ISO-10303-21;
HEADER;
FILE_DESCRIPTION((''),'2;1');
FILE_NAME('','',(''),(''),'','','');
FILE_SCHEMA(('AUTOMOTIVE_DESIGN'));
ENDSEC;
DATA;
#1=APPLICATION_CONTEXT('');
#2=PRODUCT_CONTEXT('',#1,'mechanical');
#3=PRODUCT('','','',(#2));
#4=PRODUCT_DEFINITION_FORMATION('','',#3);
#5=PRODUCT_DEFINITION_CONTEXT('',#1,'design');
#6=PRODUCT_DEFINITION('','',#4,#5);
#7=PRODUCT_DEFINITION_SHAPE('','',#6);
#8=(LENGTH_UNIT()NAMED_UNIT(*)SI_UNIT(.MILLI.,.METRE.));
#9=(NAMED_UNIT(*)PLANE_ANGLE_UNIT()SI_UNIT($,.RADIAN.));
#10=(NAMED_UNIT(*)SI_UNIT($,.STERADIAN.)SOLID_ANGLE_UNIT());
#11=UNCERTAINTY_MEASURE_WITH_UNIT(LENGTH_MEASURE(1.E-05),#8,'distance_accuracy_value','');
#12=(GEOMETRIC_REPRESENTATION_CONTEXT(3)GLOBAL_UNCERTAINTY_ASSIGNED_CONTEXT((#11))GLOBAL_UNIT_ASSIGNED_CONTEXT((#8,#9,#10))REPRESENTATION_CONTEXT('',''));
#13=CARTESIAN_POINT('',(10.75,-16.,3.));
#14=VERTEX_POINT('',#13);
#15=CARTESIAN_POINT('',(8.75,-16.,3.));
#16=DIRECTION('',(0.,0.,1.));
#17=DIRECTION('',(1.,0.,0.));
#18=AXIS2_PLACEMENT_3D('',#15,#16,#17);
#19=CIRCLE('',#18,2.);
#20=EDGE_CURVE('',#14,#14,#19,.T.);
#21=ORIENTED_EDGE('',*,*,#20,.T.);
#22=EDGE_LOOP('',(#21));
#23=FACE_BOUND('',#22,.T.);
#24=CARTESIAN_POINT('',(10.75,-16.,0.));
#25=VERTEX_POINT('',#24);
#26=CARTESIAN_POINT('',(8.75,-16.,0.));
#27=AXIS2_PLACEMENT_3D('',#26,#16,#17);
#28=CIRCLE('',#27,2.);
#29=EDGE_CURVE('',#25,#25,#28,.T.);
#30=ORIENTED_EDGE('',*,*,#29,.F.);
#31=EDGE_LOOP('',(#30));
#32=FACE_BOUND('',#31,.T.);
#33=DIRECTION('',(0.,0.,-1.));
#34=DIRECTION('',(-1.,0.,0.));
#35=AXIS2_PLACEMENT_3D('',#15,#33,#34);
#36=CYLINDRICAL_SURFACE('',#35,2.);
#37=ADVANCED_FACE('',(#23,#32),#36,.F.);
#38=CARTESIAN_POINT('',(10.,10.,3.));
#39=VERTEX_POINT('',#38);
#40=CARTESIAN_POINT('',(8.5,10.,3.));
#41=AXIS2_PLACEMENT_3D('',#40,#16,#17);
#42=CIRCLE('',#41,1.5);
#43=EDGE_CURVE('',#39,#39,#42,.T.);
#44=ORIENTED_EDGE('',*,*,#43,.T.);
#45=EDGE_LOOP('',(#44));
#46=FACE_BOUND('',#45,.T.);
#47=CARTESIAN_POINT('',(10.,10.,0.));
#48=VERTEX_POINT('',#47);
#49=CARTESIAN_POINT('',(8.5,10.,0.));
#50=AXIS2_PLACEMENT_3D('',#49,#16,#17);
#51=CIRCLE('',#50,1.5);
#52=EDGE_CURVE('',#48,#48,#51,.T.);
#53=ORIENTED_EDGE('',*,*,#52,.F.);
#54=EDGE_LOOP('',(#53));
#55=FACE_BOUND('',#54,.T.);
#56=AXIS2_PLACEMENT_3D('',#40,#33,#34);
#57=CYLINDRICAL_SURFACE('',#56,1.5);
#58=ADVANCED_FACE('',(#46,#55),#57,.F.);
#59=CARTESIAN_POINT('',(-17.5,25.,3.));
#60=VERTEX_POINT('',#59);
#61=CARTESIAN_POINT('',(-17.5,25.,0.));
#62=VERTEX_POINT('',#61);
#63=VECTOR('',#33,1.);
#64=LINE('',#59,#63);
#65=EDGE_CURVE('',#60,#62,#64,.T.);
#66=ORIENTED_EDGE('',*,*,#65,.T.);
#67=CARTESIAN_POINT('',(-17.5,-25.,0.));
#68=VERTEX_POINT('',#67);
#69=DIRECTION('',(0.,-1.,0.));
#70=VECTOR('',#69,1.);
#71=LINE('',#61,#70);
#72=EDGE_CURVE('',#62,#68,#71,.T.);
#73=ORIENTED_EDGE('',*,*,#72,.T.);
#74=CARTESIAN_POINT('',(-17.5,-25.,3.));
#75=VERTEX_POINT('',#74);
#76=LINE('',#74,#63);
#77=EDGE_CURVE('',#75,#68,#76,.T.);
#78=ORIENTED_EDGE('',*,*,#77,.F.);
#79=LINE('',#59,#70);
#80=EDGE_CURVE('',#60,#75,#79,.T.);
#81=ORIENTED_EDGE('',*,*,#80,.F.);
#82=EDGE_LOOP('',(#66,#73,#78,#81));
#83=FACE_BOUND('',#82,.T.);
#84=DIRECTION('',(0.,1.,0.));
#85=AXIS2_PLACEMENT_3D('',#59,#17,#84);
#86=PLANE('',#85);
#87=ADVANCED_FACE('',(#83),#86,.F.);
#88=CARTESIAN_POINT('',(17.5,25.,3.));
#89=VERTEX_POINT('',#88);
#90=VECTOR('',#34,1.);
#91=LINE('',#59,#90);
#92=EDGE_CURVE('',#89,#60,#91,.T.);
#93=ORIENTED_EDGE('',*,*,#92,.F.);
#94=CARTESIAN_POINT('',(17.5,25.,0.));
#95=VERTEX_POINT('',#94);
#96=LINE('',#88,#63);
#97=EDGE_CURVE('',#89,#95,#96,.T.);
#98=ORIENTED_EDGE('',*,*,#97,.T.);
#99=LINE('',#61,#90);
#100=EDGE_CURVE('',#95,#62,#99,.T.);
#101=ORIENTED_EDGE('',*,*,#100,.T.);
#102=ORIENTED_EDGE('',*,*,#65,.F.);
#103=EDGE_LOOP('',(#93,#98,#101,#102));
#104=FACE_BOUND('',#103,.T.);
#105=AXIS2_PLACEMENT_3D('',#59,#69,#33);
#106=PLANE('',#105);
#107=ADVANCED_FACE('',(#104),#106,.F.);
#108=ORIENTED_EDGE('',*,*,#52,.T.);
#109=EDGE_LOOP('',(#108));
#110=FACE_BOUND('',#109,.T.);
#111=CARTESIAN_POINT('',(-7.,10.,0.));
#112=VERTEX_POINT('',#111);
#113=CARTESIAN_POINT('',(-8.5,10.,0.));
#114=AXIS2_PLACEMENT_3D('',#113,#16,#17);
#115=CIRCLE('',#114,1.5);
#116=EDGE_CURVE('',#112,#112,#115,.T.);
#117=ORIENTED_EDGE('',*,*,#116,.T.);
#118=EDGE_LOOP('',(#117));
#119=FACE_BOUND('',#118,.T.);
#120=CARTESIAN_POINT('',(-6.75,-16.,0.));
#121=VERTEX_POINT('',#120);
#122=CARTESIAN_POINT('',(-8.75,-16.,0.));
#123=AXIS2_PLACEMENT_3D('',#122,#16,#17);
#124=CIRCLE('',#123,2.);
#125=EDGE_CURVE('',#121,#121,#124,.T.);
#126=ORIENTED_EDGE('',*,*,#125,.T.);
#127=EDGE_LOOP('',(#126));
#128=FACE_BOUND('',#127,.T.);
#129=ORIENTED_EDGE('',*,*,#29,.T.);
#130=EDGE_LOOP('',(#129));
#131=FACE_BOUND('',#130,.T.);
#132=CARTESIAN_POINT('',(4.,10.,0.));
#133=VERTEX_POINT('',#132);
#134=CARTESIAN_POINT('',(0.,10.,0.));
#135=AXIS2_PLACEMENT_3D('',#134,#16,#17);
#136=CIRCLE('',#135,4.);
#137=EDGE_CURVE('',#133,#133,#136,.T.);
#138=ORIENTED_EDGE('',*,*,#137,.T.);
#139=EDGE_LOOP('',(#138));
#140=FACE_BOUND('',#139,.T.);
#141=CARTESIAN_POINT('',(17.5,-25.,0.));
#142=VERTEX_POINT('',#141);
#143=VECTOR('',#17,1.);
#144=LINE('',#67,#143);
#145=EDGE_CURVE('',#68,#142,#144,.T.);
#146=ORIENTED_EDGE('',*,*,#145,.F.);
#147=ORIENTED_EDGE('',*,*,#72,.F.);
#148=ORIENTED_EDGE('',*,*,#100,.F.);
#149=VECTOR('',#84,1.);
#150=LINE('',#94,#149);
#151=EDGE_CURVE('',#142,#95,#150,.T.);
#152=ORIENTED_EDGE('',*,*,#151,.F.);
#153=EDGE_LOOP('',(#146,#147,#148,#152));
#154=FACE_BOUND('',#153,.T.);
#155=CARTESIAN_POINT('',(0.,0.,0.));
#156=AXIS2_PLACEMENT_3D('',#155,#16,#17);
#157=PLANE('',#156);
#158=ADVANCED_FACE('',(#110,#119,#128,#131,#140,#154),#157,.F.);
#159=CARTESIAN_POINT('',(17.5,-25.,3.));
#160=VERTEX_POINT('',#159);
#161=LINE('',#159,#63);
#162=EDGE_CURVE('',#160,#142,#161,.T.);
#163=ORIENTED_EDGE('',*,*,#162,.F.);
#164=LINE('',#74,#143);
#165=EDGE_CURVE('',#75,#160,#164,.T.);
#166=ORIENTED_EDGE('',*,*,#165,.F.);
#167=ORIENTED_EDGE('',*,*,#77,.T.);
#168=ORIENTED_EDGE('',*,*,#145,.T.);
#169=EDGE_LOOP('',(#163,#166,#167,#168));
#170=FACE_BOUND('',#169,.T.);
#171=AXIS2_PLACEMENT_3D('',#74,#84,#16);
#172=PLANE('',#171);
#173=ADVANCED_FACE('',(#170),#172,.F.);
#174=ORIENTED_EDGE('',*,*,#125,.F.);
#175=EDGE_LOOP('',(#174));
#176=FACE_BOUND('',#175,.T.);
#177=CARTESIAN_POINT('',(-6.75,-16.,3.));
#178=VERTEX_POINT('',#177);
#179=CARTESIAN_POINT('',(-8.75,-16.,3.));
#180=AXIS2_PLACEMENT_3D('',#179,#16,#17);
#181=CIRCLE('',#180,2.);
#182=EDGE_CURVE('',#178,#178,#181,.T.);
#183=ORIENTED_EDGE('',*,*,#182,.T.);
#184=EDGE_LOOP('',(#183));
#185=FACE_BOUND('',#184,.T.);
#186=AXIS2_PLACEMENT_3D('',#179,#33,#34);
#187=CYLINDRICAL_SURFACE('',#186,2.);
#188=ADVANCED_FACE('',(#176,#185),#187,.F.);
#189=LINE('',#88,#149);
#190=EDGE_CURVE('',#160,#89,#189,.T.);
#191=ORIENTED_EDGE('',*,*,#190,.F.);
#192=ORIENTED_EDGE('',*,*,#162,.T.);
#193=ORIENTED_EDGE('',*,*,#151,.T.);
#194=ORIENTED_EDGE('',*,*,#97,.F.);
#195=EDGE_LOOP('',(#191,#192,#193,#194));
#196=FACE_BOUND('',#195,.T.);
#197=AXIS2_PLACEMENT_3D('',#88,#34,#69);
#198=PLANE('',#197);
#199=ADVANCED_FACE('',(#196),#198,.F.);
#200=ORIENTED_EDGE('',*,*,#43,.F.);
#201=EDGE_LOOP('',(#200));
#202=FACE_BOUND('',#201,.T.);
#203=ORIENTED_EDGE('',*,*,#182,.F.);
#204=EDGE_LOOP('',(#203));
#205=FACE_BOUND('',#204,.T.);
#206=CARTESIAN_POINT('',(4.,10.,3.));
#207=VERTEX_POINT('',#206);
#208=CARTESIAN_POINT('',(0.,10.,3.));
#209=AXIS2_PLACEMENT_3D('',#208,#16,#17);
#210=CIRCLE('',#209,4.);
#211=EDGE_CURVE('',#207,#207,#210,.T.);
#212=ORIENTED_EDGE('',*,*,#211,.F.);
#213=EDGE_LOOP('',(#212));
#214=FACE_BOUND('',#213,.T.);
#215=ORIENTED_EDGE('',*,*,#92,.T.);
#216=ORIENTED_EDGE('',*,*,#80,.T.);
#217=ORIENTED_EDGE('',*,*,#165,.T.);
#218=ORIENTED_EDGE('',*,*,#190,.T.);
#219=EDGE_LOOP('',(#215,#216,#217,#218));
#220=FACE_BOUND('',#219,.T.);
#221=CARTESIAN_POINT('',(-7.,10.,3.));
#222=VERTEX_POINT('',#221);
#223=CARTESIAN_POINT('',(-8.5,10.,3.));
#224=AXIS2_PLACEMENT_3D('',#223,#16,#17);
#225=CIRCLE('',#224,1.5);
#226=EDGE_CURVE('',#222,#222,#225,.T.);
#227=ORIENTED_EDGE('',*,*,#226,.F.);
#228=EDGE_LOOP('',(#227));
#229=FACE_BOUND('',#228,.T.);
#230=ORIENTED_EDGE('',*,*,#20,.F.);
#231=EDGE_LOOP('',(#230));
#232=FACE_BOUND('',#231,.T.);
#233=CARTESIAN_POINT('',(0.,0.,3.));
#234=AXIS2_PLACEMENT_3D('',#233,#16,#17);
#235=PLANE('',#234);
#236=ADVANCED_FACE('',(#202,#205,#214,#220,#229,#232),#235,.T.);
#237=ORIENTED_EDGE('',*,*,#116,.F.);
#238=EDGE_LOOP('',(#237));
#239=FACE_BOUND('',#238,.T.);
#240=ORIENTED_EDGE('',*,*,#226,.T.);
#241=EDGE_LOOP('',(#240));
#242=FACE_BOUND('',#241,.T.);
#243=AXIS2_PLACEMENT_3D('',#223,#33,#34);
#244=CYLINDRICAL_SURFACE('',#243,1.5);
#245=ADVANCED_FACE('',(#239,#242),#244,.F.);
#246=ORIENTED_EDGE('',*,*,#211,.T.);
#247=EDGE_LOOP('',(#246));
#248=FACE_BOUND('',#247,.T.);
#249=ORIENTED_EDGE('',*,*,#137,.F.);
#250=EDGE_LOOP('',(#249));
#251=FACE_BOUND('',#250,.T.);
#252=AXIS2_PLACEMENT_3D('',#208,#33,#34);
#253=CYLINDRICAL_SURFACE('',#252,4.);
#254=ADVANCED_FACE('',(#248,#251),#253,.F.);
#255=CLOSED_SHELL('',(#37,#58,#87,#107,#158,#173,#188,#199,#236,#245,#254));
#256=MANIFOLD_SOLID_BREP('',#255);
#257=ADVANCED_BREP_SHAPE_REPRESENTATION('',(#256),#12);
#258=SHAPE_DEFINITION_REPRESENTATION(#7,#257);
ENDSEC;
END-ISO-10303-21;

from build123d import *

# Parameters (mm, degrees)
SKETCH1_W           = 35
SKETCH1_H           = 50
SKETCH1_R           = 2
SKETCH1_R_2         = 4
SKETCH1_R_3         = 1.5
BOSS_EXTRUDE1_DEPTH = 3


with BuildPart() as part:
    # Sketch1 → Boss-Extrude1 (new body)
    with BuildSketch(Plane.XY):
        Rectangle(SKETCH1_W, SKETCH1_H)
        with Locations((8.75, -16)):
            Circle(SKETCH1_R, mode=Mode.SUBTRACT)
        with Locations((-8.75, -16)):
            Circle(SKETCH1_R, mode=Mode.SUBTRACT)
        with Locations((0, 10)):
            Circle(SKETCH1_R_2, mode=Mode.SUBTRACT)
        with Locations((8.5, 10)):
            Circle(SKETCH1_R_3, mode=Mode.SUBTRACT)
        with Locations((-8.5, 10)):
            Circle(SKETCH1_R_3, mode=Mode.SUBTRACT)
    extrude(amount=BOSS_EXTRUDE1_DEPTH)


solid = part.part
